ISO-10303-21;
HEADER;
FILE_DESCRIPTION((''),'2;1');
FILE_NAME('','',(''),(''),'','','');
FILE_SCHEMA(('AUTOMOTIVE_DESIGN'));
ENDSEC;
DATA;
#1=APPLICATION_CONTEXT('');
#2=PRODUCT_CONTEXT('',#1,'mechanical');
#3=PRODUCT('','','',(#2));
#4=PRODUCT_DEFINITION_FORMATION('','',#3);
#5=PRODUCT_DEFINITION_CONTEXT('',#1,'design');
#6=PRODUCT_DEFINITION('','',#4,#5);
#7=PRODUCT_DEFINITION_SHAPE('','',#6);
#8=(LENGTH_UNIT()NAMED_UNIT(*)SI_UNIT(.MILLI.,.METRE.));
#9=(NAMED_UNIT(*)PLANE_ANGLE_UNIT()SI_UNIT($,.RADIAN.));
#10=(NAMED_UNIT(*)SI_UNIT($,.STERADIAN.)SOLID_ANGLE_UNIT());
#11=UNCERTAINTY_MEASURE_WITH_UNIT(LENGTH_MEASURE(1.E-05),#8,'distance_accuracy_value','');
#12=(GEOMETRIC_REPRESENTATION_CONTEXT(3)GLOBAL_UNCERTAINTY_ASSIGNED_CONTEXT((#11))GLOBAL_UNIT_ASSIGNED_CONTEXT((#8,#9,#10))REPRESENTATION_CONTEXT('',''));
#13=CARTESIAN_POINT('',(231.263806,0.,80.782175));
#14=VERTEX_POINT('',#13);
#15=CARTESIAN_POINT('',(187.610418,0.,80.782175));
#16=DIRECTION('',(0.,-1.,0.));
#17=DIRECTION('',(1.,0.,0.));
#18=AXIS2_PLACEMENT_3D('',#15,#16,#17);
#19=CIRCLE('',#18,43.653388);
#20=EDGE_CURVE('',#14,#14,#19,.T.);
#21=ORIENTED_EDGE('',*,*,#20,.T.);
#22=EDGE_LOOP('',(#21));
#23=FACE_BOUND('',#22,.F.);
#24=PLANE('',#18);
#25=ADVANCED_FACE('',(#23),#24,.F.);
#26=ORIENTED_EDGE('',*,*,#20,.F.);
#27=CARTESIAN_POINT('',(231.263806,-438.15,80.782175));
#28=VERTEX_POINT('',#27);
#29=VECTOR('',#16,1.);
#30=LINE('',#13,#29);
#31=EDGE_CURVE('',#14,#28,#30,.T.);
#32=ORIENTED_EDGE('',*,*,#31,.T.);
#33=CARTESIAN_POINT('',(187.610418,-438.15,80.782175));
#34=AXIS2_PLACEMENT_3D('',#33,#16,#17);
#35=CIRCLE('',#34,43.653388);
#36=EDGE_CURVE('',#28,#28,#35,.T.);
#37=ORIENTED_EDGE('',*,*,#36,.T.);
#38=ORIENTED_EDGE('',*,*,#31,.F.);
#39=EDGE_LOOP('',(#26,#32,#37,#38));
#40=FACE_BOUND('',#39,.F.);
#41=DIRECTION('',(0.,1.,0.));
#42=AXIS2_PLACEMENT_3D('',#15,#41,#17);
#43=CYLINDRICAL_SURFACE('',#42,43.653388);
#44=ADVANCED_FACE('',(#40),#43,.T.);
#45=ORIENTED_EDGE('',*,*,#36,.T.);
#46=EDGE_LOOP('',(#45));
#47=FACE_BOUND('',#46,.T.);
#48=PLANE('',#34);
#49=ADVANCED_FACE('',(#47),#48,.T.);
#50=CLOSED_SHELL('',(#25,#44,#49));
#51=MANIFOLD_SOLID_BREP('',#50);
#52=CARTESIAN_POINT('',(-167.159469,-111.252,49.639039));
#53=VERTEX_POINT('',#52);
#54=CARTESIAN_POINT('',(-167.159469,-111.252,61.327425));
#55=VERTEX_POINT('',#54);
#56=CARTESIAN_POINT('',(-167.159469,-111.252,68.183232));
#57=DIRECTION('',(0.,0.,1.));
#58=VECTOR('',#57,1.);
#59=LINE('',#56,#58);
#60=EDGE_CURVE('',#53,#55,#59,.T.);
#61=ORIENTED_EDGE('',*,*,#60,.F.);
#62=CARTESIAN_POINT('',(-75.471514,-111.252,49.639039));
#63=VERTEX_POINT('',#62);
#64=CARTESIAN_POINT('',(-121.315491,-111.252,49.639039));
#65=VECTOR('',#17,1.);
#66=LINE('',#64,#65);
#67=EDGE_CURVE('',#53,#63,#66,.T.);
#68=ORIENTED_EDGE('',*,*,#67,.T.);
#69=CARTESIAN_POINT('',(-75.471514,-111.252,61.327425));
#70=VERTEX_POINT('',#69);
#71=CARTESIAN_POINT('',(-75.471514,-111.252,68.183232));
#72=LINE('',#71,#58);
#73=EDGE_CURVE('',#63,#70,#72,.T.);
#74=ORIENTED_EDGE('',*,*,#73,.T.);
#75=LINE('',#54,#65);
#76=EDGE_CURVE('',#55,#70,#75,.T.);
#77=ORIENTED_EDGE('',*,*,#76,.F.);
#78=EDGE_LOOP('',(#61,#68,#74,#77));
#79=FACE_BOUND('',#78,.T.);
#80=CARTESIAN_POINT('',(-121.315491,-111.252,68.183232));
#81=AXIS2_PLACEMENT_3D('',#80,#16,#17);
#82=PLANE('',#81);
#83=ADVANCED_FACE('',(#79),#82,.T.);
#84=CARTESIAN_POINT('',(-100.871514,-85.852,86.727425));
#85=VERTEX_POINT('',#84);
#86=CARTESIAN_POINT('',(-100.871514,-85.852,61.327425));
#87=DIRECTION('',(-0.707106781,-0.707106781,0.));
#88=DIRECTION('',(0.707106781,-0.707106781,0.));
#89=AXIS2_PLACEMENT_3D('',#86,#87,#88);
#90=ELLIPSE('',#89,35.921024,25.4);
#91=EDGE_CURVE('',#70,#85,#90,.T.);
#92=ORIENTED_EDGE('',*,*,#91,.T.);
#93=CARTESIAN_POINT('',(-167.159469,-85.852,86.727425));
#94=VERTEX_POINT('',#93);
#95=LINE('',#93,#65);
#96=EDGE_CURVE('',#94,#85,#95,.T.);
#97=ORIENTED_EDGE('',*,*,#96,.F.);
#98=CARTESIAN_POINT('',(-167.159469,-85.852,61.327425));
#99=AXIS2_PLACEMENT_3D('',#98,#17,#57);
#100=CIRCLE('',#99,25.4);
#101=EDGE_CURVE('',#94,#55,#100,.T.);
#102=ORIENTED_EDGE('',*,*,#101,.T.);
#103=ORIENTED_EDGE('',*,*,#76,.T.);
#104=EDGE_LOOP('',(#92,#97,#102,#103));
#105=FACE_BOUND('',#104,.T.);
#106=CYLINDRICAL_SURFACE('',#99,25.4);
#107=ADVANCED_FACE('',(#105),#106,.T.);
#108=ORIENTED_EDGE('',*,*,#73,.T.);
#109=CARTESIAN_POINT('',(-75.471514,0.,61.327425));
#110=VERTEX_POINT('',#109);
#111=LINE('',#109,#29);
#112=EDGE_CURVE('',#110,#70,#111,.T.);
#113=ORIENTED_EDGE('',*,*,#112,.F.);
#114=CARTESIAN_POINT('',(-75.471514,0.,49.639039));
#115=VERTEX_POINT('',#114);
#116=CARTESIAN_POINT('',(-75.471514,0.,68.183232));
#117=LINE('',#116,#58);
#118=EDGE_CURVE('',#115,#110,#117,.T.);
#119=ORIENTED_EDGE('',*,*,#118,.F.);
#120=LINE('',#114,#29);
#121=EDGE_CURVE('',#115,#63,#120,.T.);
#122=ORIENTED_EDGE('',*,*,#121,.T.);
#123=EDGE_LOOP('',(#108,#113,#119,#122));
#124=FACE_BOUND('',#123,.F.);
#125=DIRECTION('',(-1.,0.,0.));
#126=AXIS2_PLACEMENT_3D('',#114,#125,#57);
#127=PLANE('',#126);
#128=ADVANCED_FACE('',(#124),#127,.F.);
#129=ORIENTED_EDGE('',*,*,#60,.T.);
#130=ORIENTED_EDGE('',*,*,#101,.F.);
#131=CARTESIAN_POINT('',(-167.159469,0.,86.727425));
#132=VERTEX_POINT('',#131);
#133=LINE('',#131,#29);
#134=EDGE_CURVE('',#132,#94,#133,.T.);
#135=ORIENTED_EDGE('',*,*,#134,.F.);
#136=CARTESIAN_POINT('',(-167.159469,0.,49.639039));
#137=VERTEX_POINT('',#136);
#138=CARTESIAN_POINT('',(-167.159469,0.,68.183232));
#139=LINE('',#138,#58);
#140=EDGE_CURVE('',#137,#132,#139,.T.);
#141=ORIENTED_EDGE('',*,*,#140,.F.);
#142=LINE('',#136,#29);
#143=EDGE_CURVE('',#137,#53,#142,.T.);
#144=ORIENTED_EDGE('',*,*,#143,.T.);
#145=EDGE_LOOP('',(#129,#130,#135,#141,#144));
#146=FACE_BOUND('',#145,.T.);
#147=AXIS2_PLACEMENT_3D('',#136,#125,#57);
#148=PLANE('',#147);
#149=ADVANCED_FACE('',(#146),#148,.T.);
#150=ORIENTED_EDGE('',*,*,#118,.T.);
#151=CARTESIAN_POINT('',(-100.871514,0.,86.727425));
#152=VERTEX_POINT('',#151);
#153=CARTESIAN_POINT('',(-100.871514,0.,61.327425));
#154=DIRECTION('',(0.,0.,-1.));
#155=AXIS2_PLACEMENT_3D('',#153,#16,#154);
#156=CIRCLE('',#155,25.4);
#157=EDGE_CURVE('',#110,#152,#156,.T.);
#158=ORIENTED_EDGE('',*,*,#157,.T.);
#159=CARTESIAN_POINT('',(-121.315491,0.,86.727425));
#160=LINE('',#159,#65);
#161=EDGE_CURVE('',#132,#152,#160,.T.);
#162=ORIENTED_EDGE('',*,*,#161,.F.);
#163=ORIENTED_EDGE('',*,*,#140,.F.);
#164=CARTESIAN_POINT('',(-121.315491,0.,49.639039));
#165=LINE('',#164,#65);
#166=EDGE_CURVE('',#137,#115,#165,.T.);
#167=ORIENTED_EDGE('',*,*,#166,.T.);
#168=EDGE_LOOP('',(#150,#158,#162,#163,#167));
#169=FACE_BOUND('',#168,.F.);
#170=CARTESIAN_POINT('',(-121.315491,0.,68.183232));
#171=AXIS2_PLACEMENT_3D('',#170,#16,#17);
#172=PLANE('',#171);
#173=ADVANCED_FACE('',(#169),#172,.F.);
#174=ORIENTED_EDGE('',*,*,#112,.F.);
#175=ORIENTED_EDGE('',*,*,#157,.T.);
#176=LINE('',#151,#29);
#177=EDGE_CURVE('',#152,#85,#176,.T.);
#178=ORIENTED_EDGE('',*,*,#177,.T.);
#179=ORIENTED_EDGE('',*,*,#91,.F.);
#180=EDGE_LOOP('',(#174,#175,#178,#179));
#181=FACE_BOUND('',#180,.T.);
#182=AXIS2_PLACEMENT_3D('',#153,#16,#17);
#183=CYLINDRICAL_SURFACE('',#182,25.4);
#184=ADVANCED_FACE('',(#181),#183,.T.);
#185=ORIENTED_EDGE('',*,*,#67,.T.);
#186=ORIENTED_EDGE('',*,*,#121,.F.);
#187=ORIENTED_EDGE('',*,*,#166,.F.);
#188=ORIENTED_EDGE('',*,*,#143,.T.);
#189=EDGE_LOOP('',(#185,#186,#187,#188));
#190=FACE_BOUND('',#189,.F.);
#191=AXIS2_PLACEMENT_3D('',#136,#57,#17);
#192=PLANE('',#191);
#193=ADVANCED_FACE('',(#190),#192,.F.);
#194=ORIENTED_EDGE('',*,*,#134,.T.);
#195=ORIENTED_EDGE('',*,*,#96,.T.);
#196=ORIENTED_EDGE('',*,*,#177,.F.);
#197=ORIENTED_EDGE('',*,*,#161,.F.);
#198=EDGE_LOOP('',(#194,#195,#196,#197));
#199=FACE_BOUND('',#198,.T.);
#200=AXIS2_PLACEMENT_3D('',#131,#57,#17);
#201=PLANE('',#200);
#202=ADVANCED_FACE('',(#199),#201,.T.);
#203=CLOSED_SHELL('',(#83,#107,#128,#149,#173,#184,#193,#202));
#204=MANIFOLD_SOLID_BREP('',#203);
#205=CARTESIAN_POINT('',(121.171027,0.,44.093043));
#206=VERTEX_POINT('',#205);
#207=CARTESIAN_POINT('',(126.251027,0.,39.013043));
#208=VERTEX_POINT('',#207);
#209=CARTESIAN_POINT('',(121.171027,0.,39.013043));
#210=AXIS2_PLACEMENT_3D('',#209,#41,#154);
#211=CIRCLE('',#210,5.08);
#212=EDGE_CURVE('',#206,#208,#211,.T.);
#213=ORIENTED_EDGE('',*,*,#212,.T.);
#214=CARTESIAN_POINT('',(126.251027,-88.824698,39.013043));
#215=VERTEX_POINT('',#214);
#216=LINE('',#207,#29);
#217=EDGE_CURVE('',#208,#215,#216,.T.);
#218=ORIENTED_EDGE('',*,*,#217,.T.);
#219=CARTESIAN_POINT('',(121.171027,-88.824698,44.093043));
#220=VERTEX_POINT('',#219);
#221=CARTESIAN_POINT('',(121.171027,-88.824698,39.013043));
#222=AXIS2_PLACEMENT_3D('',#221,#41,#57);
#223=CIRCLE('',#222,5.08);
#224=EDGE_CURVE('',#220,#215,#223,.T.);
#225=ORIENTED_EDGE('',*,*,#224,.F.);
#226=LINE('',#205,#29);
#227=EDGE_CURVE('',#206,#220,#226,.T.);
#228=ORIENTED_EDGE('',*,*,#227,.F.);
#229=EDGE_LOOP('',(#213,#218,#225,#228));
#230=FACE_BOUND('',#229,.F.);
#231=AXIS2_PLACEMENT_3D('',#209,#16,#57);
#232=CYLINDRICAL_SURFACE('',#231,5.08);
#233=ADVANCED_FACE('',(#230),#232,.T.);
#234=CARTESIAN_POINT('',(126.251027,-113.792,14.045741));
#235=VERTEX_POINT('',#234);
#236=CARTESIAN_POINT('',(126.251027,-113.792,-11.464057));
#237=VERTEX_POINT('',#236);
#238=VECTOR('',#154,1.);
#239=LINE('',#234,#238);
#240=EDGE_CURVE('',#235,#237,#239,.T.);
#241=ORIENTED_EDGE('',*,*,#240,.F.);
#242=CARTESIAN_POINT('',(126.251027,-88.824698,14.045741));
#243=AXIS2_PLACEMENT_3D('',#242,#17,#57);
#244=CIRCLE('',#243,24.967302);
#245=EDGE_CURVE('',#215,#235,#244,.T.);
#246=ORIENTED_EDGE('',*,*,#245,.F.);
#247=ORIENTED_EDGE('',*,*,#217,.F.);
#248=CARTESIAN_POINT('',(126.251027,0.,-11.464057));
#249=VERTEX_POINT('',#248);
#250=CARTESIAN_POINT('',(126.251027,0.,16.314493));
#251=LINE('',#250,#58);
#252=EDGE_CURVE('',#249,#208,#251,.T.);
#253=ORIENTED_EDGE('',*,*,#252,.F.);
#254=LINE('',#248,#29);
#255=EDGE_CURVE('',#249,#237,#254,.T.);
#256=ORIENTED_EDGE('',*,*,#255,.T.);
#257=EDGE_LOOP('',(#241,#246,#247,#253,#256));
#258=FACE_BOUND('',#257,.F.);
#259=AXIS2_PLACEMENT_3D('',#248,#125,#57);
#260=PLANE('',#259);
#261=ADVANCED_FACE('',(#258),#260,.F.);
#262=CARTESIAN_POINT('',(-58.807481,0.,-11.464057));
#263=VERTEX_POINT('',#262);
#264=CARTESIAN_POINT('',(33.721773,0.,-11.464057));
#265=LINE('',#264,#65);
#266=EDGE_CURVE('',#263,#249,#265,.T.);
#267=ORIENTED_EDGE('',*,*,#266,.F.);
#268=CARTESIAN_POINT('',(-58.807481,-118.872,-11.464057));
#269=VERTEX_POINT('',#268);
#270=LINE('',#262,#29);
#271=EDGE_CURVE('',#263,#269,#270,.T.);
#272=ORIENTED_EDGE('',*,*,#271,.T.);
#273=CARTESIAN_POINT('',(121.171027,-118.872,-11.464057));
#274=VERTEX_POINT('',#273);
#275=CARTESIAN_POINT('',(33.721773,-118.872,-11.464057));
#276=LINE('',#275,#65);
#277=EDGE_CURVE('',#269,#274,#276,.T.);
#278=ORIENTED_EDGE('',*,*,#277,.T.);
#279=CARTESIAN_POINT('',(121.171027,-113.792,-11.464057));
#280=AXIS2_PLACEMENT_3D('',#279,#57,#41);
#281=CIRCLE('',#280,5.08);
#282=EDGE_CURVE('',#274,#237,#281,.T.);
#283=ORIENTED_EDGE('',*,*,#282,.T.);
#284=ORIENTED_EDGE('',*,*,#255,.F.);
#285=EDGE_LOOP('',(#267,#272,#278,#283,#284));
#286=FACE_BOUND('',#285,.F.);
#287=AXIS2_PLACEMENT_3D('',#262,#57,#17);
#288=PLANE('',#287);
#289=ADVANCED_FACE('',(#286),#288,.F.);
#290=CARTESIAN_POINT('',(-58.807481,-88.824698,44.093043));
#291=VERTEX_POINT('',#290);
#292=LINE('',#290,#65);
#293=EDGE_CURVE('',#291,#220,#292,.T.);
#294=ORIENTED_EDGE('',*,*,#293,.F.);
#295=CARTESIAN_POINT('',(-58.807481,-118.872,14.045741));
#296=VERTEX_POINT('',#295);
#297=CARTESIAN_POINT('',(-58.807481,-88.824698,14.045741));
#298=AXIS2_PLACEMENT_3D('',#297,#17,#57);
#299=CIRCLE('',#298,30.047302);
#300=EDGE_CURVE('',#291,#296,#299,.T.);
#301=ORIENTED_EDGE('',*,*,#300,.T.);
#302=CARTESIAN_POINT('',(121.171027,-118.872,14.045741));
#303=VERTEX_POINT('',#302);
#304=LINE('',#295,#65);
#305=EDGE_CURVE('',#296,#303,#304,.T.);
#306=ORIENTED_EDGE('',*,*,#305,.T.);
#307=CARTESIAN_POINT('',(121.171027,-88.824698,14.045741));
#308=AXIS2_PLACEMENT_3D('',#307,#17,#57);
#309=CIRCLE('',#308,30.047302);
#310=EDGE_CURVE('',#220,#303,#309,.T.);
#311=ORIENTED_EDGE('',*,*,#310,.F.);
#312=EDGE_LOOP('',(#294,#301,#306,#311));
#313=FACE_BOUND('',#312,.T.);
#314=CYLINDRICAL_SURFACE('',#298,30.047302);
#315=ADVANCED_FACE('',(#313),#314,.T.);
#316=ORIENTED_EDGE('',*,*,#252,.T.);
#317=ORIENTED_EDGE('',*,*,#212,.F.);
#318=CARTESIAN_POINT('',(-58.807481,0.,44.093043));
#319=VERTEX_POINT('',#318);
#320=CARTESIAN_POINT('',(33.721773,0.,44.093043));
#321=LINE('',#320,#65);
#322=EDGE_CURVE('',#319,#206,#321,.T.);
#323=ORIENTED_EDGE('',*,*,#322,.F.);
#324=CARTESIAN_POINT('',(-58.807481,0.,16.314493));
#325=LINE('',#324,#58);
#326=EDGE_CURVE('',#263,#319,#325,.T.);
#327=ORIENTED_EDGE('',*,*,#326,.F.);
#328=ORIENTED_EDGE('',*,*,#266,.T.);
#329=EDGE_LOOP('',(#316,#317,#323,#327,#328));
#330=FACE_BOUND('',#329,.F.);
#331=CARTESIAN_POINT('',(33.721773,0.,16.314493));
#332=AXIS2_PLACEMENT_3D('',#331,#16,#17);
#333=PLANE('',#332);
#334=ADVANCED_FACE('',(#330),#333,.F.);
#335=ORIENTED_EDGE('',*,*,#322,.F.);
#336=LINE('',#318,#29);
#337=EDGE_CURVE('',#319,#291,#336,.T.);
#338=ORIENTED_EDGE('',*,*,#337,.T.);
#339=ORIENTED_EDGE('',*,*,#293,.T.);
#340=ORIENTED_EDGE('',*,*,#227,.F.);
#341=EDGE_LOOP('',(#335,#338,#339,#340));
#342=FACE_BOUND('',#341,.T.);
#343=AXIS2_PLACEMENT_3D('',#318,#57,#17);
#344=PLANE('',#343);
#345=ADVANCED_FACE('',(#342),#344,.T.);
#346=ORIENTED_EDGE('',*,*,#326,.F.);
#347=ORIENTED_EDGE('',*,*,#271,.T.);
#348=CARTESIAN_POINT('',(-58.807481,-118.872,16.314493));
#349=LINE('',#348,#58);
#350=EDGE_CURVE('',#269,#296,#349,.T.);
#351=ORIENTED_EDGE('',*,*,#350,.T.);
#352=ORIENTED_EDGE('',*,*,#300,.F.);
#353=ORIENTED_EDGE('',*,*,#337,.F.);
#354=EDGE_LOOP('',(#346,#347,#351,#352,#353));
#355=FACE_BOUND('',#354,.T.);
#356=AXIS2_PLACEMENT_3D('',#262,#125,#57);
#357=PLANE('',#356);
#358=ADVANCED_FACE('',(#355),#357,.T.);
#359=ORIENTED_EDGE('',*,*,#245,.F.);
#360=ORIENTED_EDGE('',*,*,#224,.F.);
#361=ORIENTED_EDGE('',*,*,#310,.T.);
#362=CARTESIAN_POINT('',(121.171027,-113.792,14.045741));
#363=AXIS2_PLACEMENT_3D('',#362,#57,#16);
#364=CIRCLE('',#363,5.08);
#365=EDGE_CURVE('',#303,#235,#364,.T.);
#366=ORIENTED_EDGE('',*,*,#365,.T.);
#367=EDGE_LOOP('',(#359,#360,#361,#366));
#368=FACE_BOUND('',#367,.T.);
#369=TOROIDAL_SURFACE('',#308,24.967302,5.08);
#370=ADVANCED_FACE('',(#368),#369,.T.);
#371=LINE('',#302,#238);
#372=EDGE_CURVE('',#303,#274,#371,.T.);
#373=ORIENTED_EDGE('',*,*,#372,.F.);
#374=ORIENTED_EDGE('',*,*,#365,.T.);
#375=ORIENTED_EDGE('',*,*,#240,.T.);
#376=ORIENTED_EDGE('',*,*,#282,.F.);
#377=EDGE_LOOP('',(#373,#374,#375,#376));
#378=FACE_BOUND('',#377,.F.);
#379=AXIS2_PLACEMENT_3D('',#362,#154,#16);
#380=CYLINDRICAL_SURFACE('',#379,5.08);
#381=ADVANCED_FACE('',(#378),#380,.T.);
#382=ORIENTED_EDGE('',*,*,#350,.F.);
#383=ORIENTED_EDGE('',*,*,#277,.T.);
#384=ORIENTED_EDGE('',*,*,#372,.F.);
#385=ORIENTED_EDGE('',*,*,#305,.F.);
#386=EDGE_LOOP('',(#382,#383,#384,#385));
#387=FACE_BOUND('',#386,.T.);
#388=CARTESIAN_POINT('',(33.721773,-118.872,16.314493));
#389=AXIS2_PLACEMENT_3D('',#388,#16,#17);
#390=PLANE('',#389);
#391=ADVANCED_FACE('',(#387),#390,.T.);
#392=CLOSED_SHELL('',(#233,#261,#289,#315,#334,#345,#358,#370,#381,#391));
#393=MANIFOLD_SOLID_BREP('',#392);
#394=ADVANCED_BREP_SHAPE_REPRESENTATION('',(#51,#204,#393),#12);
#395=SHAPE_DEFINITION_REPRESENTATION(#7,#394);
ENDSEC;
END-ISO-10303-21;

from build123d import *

# Parameters (mm, degrees)
F0_W     = 185.058508
F0_H     = 55.5571
F1_DEPTH = 118.872
F2_R     = 30.047302
F3_R     = 5.08
F4_W     = 91.687955
F4_H     = 37.088386
F5_DEPTH = 111.252
F6_R     = 43.653388
F7_DEPTH = 438.15
F8_R     = 25.4


with BuildPart() as f1:
    # F0 (on Front) → F1 (new body)
    with BuildSketch(Plane.XZ):
        with Locations((33.721773, 16.314493)):
            Rectangle(F0_W, F0_H)
    extrude(amount=F1_DEPTH)

    # F2
    f2_edges = [f1.edges().sort_by_distance(p)[0] for p in [
        (33.721773, -118.872, 44.093043),
    ]]
    fillet(f2_edges, radius=F2_R)

    # F3
    f3_edges = [f1.edges().sort_by_distance(p)[0] for p in [
        (126.251027, -44.412349, 44.093043),
    ]]
    fillet(f3_edges, radius=F3_R)


with BuildPart() as f5:
    # F4 (on Front) → F5 (new body)
    with BuildSketch(Plane.XZ):
        with Locations((-121.315491, 68.183232)):
            Rectangle(F4_W, F4_H)
    extrude(amount=F5_DEPTH)

    # F8
    f8_edges = [f5.edges().sort_by_distance(p)[0] for p in [
        (-75.471513, -55.626, 86.727425),
        (-121.31549, -111.252, 86.727425),
    ]]
    fillet(f8_edges, radius=F8_R)


with BuildPart() as f7:
    # F6 (on Front) → F7 (new body)
    with BuildSketch(Plane.XZ):
        with Locations((187.610418, 80.782175)):
            Circle(F6_R)
    extrude(amount=F7_DEPTH)


solid = Compound([f1.part, f5.part, f7.part])
